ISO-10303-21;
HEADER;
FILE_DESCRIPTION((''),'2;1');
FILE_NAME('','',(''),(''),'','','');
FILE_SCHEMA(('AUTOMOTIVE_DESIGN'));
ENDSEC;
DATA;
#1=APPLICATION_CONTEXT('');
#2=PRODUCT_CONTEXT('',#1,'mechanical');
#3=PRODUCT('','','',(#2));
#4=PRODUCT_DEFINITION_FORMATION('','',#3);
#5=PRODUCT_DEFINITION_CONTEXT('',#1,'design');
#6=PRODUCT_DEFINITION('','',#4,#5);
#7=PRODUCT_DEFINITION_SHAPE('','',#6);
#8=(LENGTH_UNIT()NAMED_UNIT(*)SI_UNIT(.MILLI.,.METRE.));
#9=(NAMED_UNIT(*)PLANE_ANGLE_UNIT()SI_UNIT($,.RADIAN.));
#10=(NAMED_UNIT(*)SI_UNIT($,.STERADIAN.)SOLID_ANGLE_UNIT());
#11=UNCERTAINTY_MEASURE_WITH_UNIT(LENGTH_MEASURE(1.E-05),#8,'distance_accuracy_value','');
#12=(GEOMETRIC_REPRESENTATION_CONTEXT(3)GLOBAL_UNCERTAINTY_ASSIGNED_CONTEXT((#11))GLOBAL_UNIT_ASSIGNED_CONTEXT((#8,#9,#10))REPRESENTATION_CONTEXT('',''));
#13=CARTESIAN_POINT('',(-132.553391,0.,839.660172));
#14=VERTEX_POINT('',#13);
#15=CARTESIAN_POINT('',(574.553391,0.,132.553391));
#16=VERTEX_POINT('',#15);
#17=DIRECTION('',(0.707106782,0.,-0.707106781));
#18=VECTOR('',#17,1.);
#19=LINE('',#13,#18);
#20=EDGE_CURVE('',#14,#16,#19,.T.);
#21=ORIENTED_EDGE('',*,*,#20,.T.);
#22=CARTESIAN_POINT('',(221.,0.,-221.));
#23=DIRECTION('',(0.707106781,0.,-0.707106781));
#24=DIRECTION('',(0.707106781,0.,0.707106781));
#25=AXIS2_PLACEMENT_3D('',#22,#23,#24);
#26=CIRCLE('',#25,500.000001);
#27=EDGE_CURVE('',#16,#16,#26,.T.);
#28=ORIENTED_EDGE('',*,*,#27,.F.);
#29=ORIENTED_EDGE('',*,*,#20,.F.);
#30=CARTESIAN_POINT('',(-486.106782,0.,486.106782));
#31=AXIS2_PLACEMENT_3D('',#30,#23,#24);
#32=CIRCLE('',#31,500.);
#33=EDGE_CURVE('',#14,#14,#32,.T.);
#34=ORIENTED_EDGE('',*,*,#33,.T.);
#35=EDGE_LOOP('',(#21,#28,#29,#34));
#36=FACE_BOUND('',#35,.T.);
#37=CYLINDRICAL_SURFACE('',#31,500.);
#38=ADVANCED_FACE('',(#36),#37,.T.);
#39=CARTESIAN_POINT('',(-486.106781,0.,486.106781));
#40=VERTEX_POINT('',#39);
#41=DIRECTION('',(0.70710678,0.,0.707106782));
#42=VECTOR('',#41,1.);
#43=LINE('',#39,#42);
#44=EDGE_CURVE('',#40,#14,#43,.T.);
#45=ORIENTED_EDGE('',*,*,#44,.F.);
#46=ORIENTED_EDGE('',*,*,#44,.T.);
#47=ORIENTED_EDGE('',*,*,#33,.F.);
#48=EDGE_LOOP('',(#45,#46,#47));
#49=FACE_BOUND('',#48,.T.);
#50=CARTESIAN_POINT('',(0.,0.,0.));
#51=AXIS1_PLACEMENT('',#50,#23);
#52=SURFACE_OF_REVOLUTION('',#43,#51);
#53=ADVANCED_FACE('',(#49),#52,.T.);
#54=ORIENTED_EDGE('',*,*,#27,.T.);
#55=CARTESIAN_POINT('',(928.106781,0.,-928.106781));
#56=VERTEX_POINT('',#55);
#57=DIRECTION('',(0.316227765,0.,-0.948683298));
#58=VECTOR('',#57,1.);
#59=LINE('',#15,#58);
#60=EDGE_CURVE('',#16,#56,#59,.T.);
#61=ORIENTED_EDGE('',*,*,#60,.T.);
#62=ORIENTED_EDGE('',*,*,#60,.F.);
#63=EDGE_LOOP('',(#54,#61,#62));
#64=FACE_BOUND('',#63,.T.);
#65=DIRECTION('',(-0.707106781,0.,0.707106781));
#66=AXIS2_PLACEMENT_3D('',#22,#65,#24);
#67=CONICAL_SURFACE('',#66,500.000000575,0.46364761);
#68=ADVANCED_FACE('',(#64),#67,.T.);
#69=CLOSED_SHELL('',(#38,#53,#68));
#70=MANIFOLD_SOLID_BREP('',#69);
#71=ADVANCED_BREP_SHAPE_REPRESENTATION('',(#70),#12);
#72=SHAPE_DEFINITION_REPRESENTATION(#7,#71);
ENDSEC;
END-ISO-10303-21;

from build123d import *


with BuildPart() as part:
    # Sketch → Revolution (revolve)
    with BuildSketch(Plane.XZ):
        Polygon((-486.106781, 486.106781), (-132.553391, 839.660172), (574.553391, 132.553391), (928.106781, -928.106781), align=None)
    revolve(axis=Axis((0, 0, 0), (0.707107, 0, -0.707107)))


solid = part.part
